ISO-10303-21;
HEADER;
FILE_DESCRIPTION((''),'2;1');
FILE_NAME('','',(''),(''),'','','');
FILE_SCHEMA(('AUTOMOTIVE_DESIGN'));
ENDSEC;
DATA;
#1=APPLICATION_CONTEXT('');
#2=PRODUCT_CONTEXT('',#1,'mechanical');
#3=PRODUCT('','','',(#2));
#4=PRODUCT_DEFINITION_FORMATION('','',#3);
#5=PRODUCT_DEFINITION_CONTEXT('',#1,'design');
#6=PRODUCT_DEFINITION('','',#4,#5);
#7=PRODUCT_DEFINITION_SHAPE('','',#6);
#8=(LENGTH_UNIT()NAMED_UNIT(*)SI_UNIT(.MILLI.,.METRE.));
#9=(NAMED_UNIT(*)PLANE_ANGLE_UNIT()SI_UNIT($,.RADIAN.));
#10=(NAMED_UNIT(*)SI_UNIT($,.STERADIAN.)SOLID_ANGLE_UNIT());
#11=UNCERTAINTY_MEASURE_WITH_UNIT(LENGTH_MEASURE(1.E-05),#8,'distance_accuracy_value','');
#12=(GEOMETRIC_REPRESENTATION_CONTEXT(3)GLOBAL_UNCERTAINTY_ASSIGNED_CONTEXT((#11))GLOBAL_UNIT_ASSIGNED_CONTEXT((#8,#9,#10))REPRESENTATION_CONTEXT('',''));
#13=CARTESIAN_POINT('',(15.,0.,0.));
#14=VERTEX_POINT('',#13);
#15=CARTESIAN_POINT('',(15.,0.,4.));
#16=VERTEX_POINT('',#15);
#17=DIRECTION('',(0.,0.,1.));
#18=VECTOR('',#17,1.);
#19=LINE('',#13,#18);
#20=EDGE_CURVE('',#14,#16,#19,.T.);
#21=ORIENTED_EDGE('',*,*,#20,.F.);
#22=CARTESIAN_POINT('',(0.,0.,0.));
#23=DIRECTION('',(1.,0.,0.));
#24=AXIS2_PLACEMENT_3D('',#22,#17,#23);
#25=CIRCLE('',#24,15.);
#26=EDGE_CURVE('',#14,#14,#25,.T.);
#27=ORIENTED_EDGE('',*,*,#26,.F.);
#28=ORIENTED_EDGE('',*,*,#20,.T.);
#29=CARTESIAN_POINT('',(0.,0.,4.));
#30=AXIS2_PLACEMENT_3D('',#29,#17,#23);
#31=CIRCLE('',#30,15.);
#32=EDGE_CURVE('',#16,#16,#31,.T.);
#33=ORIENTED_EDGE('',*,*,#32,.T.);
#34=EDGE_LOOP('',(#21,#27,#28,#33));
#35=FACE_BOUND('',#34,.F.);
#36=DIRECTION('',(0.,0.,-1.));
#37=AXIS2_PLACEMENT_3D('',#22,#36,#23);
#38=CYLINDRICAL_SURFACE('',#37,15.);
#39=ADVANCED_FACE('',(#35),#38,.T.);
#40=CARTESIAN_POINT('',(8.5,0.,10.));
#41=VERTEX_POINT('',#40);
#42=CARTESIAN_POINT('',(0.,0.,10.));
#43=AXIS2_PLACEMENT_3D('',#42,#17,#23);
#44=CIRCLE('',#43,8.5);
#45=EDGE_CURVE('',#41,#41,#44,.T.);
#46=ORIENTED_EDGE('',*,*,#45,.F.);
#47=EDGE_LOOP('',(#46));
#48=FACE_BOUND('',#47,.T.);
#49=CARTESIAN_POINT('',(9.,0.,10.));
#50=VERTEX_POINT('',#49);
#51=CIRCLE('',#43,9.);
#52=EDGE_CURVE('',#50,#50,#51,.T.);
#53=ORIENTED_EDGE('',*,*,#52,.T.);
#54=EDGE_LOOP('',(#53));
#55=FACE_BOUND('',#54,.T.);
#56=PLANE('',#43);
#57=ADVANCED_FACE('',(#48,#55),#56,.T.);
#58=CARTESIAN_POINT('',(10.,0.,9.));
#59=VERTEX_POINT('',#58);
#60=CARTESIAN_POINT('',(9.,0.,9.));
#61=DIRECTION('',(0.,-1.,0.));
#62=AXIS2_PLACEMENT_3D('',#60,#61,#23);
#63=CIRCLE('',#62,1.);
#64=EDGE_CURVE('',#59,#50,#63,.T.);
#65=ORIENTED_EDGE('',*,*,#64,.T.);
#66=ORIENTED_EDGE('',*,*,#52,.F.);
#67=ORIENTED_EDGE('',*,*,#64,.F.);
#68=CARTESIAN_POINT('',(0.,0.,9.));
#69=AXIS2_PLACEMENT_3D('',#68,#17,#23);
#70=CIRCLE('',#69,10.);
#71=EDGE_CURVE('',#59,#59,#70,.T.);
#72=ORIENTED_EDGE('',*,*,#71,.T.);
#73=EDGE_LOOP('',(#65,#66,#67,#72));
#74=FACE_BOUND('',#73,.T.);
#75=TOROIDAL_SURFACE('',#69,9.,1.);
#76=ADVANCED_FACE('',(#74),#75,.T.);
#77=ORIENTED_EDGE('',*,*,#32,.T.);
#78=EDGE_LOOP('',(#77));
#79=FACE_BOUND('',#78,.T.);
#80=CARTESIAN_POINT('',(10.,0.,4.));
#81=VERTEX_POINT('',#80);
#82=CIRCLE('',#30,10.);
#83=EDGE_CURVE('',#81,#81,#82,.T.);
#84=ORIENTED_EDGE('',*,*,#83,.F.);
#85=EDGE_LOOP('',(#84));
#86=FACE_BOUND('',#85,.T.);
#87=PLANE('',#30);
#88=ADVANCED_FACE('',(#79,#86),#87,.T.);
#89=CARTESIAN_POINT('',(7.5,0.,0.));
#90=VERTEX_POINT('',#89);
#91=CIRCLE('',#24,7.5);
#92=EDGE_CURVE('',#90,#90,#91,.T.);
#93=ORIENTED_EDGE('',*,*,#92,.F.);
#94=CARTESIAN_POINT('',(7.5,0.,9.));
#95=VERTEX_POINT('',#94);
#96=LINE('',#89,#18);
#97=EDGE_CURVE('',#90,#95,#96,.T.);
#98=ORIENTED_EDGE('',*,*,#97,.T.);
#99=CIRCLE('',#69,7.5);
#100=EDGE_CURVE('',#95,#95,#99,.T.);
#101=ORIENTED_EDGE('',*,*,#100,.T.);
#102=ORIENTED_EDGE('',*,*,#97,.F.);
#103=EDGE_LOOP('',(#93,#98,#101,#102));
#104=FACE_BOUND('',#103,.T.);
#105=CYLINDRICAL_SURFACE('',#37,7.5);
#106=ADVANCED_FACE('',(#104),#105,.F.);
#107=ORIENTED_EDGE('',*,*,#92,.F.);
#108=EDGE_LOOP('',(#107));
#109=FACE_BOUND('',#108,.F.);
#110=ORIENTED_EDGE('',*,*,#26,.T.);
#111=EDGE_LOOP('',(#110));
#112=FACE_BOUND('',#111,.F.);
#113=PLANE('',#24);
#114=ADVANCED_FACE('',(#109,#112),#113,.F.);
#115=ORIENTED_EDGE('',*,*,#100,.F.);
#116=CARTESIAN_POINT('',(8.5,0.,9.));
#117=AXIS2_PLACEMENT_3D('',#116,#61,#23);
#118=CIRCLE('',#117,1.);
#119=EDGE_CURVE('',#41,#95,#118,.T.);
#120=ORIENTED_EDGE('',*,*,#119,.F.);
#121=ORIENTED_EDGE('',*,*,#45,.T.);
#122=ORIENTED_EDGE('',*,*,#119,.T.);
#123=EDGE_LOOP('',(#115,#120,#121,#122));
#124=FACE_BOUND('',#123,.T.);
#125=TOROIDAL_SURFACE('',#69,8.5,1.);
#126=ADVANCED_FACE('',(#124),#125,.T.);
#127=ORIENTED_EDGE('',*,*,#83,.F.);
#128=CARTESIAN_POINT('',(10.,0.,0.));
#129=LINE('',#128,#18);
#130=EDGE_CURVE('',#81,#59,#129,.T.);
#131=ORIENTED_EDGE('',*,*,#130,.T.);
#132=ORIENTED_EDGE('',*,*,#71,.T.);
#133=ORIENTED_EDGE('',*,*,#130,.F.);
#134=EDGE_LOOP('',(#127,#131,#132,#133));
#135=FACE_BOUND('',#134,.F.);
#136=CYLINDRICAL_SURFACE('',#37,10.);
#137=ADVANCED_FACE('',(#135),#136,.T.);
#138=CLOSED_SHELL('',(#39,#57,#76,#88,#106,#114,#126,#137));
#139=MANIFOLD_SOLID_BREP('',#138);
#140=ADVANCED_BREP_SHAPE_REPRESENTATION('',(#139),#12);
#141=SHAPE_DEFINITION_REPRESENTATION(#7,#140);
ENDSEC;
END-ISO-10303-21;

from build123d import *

# Parameters (mm, degrees)
F0_R     = 15
F0_R_2   = 10
F1_DEPTH = 4
F0_R_3   = 7.5
F2_DEPTH = 10
F3_R     = 1


with BuildPart() as f1:
    # F0 (on Top) → F1 (new body)
    with BuildSketch(Plane.XY):
        Circle(F0_R)
        Circle(F0_R_2, mode=Mode.SUBTRACT)
    extrude(amount=F1_DEPTH)

    # F0 (on Top) → F2 (join)
    with BuildSketch(Plane.XY):
        Circle(F0_R_2)
        Circle(F0_R_3, mode=Mode.SUBTRACT)
    extrude(amount=F2_DEPTH)

    # F3
    f3_edges = [f1.edges().sort_by_distance(p)[0] for p in [
        (-7.5, 0, 10),
        (-10, 0, 10),
    ]]
    fillet(f3_edges, radius=F3_R)


solid = f1.part
